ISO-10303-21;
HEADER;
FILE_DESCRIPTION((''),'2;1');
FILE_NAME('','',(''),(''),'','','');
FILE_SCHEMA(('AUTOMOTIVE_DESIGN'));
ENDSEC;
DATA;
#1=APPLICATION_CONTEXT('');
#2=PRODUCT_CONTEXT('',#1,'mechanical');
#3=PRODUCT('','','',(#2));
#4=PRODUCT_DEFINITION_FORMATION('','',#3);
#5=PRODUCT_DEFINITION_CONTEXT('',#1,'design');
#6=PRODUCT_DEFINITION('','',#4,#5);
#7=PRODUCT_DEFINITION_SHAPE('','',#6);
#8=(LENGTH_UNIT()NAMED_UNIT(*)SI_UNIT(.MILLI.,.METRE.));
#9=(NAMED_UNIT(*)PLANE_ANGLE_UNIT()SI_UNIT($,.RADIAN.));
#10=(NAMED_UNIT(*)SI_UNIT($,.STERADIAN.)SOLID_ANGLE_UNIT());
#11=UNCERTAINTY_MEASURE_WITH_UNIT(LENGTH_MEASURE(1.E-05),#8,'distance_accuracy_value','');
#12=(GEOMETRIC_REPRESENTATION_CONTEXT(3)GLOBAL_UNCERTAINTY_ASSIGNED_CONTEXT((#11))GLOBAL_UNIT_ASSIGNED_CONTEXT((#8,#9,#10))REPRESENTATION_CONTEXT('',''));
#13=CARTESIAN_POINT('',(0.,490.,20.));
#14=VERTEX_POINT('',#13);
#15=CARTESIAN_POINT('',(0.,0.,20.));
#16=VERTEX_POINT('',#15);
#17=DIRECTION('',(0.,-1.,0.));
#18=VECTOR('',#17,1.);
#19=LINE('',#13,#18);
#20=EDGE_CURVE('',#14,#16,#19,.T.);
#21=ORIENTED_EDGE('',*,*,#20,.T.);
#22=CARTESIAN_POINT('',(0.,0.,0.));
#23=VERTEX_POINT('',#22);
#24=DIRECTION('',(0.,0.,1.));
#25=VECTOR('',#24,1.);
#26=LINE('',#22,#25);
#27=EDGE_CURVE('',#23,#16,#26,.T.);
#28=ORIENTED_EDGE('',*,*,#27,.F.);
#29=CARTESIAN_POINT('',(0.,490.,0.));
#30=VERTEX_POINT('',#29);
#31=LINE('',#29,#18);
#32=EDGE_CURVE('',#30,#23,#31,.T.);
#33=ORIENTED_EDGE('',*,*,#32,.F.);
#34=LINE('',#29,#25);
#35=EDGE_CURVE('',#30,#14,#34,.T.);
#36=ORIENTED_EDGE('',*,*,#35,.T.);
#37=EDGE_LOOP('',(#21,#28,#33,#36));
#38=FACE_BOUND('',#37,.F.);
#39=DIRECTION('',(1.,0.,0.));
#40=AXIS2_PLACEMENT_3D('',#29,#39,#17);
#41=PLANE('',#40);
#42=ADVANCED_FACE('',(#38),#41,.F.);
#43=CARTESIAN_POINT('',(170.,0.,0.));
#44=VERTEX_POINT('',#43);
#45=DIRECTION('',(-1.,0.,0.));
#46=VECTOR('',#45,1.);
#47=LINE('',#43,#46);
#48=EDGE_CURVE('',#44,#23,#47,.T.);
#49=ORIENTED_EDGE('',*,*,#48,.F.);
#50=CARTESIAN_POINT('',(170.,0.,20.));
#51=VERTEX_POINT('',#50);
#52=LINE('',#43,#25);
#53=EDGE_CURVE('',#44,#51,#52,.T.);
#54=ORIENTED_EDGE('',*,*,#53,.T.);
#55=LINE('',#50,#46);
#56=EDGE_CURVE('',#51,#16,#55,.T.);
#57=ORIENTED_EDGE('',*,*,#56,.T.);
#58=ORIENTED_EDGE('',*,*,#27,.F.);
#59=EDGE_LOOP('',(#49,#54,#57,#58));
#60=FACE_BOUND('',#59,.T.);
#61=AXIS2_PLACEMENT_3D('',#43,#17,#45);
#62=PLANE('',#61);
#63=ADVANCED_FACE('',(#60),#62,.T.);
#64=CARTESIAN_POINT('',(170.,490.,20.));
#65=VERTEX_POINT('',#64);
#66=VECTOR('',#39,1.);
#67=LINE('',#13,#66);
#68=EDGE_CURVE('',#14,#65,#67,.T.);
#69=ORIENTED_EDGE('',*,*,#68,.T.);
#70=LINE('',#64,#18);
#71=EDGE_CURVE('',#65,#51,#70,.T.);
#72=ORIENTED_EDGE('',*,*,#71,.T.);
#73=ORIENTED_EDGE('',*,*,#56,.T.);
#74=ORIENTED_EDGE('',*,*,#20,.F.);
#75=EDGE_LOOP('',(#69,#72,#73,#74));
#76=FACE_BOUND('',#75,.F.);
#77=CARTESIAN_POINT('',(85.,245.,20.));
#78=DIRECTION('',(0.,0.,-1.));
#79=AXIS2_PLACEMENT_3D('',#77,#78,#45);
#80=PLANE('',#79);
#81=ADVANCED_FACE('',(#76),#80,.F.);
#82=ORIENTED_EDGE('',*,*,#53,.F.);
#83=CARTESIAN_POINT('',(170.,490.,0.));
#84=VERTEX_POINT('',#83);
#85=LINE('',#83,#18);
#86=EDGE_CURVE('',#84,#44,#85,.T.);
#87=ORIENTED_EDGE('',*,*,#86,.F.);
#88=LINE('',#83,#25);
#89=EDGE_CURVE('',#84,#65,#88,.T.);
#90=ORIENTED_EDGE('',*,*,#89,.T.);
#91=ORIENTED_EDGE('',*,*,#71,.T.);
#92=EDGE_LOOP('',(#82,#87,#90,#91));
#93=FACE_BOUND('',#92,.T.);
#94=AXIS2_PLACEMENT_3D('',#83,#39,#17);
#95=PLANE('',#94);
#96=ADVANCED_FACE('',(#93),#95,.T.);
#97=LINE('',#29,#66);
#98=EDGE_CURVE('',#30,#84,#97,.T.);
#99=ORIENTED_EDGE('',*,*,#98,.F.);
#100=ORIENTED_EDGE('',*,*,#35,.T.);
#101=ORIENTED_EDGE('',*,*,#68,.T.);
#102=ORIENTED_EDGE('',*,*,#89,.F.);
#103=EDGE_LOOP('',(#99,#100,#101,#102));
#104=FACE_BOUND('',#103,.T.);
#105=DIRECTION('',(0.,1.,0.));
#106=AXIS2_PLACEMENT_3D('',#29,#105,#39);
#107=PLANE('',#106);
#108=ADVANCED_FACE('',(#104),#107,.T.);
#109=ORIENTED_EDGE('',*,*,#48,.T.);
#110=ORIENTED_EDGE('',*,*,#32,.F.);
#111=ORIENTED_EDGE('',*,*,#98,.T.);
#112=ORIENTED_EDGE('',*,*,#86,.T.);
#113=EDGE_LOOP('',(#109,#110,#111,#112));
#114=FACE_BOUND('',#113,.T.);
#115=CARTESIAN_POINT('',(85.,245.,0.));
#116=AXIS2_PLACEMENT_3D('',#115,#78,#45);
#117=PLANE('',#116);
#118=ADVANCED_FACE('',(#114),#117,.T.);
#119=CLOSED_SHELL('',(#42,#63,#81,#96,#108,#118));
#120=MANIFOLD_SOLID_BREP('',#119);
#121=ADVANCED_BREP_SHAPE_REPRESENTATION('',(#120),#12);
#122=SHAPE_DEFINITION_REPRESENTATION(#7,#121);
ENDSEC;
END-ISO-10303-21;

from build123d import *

# Parameters (mm, degrees)
PAD_DEPTH = 20


with BuildPart() as part:
    # Sketch → Pad (new body)
    with BuildSketch(Plane.XY):
        Polygon((0, 490), (170, 490), (170, 0), (0, 0), (0, 245), align=None)
    extrude(amount=PAD_DEPTH)


solid = part.part
